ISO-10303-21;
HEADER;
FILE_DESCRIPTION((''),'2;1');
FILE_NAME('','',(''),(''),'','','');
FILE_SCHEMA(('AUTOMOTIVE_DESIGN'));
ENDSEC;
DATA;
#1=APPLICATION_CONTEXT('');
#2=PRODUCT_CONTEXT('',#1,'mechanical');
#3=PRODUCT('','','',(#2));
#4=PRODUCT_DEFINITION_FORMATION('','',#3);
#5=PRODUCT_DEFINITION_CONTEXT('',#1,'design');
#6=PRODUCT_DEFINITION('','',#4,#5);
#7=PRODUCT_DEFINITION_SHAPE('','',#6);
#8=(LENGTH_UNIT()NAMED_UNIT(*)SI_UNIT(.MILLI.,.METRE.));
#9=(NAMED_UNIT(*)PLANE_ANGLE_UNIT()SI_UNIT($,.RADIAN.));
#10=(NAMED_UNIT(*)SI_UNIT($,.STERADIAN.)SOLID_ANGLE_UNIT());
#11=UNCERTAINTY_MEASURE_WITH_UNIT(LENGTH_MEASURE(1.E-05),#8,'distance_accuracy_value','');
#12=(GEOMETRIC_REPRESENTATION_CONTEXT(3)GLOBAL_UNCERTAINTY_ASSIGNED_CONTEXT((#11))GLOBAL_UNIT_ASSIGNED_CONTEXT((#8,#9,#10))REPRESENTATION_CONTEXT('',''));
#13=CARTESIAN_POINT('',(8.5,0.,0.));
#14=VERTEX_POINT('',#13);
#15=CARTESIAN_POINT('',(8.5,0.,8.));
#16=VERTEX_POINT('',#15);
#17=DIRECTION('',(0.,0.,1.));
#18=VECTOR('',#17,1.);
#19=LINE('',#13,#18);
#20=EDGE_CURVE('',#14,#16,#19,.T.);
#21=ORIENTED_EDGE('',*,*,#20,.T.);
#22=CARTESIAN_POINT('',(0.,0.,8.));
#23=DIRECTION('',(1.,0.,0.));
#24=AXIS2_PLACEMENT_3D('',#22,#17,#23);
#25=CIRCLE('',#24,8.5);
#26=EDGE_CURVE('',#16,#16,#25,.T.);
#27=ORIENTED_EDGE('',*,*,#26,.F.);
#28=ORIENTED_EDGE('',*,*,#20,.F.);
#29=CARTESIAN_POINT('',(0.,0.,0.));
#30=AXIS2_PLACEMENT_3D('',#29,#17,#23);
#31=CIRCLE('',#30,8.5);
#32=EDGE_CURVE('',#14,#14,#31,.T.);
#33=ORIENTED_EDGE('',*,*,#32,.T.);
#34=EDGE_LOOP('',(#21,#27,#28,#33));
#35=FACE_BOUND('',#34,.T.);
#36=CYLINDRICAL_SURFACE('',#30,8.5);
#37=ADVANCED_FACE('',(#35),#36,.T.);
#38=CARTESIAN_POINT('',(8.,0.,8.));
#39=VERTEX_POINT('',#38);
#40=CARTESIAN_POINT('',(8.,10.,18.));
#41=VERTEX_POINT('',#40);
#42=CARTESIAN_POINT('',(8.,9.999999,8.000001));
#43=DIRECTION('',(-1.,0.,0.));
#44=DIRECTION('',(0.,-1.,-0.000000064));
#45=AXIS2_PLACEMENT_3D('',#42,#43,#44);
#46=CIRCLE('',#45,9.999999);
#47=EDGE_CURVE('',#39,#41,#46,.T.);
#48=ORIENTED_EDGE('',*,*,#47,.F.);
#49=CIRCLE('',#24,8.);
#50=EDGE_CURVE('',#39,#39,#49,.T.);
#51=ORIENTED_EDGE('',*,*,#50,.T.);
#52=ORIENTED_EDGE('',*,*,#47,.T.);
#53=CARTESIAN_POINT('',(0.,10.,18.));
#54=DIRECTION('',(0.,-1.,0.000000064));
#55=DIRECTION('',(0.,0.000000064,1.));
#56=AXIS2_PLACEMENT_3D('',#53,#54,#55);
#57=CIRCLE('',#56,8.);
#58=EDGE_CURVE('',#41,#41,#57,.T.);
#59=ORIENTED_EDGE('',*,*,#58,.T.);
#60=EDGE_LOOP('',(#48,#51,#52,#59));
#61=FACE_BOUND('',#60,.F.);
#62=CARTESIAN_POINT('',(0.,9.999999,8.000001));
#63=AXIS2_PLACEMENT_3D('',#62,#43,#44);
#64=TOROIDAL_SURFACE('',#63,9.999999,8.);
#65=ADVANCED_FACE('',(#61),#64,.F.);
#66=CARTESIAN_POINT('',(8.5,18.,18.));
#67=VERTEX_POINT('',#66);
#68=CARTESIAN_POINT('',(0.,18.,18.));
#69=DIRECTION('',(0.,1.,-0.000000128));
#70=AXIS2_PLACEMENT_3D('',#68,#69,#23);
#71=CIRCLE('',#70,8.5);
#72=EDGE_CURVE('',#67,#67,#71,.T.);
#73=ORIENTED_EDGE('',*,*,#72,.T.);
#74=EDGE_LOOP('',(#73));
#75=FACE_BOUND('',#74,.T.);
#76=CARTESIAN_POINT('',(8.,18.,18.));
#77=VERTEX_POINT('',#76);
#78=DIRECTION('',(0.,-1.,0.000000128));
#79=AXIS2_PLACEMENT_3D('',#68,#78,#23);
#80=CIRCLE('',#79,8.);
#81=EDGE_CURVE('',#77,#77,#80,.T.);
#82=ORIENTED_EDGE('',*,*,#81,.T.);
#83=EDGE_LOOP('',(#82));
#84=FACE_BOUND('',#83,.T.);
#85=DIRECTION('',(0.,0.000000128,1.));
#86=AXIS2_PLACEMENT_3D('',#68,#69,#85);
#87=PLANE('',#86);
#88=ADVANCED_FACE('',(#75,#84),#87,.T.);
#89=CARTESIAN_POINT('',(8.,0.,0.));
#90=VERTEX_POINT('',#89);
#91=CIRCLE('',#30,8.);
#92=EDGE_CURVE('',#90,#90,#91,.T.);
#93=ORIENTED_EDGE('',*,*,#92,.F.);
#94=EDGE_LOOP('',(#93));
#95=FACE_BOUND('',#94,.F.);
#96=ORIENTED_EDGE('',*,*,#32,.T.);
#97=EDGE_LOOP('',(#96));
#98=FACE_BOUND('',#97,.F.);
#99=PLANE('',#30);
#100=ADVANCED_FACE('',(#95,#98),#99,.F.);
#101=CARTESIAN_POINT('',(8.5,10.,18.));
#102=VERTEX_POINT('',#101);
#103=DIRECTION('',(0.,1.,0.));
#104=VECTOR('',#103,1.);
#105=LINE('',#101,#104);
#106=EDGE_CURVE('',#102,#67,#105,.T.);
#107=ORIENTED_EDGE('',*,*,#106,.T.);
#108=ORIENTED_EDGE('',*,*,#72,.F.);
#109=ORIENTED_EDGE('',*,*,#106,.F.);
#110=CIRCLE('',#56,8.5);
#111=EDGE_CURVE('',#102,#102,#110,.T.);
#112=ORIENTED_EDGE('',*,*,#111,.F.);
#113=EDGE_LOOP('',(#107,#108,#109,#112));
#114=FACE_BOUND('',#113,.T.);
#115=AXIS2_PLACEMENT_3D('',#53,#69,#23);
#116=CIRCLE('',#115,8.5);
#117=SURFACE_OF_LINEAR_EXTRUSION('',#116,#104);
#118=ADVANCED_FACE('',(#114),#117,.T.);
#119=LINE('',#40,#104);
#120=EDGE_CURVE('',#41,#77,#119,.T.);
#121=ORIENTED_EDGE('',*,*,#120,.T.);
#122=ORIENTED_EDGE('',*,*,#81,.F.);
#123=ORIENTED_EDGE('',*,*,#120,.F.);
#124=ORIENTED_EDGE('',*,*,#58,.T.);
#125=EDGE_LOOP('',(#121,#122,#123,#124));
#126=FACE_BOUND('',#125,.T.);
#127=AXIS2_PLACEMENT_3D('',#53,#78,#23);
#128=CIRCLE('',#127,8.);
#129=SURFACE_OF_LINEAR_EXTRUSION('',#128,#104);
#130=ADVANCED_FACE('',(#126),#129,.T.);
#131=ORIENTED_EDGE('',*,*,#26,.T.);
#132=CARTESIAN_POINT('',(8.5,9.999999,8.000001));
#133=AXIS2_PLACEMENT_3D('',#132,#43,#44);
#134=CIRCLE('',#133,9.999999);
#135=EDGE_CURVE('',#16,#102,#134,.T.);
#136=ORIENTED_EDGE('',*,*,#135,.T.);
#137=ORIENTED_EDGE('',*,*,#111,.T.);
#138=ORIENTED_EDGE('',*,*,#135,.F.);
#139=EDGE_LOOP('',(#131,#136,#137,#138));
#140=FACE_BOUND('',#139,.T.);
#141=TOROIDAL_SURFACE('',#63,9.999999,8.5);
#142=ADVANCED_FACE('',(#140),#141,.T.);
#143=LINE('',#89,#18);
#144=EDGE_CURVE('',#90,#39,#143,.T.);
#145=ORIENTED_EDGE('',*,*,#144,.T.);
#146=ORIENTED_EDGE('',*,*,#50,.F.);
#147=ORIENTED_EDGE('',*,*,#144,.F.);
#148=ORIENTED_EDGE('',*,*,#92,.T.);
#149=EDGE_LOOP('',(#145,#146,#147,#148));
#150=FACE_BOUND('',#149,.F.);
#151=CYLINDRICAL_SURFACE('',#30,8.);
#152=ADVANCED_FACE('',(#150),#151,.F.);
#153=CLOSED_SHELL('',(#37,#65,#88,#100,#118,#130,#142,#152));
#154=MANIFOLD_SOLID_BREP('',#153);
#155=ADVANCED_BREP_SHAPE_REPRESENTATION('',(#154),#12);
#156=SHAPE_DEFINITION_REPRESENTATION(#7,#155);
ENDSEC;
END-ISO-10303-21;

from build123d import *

# Parameters (mm, degrees)
F0_R   = 8.5
F0_R_2 = 8


with BuildPart() as f2:
    # F2: sweep along a path in F1
    with BuildLine(Plane.YZ) as f2_path:
        Line((0, 0), (0, 8))
        ThreePointArc((0, 8), (2.928932, 15.071068), (10, 18))
        Line((10, 18), (18, 18))
    # F0 (on Top) → F2 (sweep)
    with BuildSketch(Plane.XY):
        Circle(F0_R)
        Circle(F0_R_2, mode=Mode.SUBTRACT)
    sweep(path=f2_path.line)


solid = f2.part
